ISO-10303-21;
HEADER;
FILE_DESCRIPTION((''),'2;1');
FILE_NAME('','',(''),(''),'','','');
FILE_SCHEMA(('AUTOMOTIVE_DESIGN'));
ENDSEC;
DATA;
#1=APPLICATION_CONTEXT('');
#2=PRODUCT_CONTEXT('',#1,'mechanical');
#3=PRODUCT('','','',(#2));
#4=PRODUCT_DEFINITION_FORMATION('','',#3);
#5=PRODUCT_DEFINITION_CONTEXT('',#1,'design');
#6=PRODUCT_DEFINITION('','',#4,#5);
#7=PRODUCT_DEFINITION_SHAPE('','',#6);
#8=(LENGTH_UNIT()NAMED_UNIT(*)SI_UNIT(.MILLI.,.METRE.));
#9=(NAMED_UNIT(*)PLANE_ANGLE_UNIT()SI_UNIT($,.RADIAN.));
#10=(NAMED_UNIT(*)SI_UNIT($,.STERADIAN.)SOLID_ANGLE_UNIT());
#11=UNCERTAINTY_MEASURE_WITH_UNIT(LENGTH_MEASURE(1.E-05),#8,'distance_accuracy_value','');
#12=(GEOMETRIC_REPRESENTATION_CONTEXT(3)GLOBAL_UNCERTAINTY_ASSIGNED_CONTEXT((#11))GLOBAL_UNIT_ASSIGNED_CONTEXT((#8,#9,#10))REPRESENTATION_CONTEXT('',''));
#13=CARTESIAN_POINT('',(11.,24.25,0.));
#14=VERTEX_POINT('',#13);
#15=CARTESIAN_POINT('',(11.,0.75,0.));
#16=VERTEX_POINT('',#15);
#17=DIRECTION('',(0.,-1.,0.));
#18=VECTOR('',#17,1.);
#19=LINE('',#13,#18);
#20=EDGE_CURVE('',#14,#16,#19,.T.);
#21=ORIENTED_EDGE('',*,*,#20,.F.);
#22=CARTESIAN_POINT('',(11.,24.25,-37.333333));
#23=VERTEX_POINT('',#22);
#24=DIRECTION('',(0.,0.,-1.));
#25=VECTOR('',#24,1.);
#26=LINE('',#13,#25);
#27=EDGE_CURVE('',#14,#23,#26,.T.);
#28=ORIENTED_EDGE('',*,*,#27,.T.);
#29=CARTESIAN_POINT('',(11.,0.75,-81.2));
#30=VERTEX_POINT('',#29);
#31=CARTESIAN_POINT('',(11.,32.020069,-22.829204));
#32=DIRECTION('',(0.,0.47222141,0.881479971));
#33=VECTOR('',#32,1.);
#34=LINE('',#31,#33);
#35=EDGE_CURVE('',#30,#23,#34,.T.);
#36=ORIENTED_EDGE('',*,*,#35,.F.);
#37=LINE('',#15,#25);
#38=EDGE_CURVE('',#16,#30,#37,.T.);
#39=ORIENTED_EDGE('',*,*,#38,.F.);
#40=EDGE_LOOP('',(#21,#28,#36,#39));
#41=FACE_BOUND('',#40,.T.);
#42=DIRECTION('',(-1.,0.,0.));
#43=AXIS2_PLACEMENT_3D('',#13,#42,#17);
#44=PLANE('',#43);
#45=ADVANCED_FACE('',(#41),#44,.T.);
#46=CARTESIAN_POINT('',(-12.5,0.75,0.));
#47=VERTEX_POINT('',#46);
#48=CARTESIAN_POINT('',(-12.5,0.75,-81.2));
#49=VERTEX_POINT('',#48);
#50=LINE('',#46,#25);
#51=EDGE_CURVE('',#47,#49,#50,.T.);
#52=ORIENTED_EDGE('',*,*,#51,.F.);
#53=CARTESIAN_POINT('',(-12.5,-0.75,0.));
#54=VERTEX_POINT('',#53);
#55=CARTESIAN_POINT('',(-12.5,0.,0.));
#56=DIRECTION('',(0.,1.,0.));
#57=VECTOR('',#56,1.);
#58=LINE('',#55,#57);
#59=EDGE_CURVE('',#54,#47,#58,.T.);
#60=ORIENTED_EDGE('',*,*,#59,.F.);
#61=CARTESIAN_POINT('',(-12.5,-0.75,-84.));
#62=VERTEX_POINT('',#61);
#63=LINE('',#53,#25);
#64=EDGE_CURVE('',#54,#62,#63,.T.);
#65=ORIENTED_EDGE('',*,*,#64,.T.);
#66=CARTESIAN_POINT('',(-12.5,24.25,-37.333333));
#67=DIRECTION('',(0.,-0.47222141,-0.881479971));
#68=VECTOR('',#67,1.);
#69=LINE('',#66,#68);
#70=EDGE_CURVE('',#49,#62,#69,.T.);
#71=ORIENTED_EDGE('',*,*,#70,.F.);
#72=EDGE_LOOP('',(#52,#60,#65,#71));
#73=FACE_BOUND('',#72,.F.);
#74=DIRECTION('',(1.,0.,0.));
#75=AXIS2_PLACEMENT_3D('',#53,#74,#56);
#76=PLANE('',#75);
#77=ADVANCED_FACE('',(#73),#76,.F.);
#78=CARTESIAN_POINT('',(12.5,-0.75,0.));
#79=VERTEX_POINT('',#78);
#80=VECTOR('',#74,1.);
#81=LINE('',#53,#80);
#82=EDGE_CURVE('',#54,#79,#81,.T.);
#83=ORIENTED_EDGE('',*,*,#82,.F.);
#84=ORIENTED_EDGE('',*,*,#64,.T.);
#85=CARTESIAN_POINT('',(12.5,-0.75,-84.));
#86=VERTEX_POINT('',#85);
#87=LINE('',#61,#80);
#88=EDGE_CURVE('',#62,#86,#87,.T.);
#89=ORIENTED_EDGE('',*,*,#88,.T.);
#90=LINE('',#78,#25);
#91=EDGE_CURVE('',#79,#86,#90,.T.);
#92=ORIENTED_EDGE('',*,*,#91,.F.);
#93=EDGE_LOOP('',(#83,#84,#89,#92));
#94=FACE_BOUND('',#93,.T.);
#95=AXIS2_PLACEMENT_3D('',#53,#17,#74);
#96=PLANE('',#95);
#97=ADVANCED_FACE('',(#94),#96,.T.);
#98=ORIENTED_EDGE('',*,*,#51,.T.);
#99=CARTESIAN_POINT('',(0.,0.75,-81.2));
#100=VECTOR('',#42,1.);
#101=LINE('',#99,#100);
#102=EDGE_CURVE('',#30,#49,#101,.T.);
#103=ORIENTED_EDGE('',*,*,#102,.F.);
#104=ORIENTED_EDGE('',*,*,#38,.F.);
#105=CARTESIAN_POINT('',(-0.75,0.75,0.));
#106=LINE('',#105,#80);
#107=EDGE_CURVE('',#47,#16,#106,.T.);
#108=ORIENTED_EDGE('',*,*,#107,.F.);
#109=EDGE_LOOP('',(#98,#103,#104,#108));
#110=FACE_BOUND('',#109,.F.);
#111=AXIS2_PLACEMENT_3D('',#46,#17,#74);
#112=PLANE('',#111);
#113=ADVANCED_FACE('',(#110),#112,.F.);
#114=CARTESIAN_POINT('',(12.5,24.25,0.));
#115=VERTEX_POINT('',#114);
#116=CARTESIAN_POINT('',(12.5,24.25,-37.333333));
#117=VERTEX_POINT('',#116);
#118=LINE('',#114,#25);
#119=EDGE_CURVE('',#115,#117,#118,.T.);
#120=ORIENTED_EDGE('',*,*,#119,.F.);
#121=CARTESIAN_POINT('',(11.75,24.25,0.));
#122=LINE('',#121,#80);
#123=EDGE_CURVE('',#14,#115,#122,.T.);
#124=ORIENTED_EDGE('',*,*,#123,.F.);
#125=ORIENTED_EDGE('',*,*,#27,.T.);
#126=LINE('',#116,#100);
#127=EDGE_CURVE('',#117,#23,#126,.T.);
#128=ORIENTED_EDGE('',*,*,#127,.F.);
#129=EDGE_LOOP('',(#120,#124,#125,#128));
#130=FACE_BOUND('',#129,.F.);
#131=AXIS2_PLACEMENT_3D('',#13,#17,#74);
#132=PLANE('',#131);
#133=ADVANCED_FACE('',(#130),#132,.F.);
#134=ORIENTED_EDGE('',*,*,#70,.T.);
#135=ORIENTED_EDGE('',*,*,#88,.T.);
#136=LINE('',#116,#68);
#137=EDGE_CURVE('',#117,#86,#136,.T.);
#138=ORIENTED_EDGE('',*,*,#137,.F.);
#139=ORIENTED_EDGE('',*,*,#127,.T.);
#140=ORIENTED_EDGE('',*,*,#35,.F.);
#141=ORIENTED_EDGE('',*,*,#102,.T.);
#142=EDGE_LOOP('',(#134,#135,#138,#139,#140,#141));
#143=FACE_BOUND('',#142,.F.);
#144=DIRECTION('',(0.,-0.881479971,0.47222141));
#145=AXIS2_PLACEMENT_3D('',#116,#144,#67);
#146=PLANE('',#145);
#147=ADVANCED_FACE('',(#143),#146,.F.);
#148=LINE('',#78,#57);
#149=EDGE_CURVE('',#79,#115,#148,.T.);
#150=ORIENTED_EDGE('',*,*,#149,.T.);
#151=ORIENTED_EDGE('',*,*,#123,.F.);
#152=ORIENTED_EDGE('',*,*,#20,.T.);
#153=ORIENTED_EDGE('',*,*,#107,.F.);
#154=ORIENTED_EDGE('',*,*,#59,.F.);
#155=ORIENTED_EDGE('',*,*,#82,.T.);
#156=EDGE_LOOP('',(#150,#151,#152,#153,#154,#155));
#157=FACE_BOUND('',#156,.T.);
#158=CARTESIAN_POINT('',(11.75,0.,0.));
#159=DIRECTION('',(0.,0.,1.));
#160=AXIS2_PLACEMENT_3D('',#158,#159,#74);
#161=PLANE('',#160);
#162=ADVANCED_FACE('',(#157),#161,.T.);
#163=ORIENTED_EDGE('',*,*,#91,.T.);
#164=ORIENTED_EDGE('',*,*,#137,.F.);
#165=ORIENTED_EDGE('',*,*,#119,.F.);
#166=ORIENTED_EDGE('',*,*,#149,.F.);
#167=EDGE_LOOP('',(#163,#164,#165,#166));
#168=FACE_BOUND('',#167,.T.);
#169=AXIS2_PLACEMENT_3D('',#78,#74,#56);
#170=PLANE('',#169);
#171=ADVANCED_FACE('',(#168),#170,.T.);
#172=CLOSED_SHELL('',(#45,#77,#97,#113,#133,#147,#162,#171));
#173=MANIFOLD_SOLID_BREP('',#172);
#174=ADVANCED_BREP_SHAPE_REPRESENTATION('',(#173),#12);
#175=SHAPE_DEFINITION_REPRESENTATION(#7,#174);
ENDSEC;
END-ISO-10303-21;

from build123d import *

# Parameters (mm, degrees)
F0_W     = 1.5
F0_H     = 1.5
F0_H_2   = 23.5
F0_W_2   = 23.5
F1_DEPTH = 84
F3_DEPTH = 25


with BuildPart() as f1:
    # F0 (on Top) → F1 (new body)
    with BuildSketch(Plane.XY):
        with Locations((11.75, 0)):
            Rectangle(F0_W, F0_H)
        with Locations((11.75, 12.5)):
            Rectangle(F0_W, F0_H_2)
        with Locations((-0.75, 0)):
            Rectangle(F0_W_2, F0_H)
    extrude(amount=-F1_DEPTH)

    # F2 (on face) → F3 (cut)
    with BuildSketch(Plane.YZ.offset(12.5)):
        Polygon((24.25, -37.333333), (-0.75, -84), (24.25, -84), align=None)
    extrude(amount=-F3_DEPTH, mode=Mode.SUBTRACT)


solid = f1.part
